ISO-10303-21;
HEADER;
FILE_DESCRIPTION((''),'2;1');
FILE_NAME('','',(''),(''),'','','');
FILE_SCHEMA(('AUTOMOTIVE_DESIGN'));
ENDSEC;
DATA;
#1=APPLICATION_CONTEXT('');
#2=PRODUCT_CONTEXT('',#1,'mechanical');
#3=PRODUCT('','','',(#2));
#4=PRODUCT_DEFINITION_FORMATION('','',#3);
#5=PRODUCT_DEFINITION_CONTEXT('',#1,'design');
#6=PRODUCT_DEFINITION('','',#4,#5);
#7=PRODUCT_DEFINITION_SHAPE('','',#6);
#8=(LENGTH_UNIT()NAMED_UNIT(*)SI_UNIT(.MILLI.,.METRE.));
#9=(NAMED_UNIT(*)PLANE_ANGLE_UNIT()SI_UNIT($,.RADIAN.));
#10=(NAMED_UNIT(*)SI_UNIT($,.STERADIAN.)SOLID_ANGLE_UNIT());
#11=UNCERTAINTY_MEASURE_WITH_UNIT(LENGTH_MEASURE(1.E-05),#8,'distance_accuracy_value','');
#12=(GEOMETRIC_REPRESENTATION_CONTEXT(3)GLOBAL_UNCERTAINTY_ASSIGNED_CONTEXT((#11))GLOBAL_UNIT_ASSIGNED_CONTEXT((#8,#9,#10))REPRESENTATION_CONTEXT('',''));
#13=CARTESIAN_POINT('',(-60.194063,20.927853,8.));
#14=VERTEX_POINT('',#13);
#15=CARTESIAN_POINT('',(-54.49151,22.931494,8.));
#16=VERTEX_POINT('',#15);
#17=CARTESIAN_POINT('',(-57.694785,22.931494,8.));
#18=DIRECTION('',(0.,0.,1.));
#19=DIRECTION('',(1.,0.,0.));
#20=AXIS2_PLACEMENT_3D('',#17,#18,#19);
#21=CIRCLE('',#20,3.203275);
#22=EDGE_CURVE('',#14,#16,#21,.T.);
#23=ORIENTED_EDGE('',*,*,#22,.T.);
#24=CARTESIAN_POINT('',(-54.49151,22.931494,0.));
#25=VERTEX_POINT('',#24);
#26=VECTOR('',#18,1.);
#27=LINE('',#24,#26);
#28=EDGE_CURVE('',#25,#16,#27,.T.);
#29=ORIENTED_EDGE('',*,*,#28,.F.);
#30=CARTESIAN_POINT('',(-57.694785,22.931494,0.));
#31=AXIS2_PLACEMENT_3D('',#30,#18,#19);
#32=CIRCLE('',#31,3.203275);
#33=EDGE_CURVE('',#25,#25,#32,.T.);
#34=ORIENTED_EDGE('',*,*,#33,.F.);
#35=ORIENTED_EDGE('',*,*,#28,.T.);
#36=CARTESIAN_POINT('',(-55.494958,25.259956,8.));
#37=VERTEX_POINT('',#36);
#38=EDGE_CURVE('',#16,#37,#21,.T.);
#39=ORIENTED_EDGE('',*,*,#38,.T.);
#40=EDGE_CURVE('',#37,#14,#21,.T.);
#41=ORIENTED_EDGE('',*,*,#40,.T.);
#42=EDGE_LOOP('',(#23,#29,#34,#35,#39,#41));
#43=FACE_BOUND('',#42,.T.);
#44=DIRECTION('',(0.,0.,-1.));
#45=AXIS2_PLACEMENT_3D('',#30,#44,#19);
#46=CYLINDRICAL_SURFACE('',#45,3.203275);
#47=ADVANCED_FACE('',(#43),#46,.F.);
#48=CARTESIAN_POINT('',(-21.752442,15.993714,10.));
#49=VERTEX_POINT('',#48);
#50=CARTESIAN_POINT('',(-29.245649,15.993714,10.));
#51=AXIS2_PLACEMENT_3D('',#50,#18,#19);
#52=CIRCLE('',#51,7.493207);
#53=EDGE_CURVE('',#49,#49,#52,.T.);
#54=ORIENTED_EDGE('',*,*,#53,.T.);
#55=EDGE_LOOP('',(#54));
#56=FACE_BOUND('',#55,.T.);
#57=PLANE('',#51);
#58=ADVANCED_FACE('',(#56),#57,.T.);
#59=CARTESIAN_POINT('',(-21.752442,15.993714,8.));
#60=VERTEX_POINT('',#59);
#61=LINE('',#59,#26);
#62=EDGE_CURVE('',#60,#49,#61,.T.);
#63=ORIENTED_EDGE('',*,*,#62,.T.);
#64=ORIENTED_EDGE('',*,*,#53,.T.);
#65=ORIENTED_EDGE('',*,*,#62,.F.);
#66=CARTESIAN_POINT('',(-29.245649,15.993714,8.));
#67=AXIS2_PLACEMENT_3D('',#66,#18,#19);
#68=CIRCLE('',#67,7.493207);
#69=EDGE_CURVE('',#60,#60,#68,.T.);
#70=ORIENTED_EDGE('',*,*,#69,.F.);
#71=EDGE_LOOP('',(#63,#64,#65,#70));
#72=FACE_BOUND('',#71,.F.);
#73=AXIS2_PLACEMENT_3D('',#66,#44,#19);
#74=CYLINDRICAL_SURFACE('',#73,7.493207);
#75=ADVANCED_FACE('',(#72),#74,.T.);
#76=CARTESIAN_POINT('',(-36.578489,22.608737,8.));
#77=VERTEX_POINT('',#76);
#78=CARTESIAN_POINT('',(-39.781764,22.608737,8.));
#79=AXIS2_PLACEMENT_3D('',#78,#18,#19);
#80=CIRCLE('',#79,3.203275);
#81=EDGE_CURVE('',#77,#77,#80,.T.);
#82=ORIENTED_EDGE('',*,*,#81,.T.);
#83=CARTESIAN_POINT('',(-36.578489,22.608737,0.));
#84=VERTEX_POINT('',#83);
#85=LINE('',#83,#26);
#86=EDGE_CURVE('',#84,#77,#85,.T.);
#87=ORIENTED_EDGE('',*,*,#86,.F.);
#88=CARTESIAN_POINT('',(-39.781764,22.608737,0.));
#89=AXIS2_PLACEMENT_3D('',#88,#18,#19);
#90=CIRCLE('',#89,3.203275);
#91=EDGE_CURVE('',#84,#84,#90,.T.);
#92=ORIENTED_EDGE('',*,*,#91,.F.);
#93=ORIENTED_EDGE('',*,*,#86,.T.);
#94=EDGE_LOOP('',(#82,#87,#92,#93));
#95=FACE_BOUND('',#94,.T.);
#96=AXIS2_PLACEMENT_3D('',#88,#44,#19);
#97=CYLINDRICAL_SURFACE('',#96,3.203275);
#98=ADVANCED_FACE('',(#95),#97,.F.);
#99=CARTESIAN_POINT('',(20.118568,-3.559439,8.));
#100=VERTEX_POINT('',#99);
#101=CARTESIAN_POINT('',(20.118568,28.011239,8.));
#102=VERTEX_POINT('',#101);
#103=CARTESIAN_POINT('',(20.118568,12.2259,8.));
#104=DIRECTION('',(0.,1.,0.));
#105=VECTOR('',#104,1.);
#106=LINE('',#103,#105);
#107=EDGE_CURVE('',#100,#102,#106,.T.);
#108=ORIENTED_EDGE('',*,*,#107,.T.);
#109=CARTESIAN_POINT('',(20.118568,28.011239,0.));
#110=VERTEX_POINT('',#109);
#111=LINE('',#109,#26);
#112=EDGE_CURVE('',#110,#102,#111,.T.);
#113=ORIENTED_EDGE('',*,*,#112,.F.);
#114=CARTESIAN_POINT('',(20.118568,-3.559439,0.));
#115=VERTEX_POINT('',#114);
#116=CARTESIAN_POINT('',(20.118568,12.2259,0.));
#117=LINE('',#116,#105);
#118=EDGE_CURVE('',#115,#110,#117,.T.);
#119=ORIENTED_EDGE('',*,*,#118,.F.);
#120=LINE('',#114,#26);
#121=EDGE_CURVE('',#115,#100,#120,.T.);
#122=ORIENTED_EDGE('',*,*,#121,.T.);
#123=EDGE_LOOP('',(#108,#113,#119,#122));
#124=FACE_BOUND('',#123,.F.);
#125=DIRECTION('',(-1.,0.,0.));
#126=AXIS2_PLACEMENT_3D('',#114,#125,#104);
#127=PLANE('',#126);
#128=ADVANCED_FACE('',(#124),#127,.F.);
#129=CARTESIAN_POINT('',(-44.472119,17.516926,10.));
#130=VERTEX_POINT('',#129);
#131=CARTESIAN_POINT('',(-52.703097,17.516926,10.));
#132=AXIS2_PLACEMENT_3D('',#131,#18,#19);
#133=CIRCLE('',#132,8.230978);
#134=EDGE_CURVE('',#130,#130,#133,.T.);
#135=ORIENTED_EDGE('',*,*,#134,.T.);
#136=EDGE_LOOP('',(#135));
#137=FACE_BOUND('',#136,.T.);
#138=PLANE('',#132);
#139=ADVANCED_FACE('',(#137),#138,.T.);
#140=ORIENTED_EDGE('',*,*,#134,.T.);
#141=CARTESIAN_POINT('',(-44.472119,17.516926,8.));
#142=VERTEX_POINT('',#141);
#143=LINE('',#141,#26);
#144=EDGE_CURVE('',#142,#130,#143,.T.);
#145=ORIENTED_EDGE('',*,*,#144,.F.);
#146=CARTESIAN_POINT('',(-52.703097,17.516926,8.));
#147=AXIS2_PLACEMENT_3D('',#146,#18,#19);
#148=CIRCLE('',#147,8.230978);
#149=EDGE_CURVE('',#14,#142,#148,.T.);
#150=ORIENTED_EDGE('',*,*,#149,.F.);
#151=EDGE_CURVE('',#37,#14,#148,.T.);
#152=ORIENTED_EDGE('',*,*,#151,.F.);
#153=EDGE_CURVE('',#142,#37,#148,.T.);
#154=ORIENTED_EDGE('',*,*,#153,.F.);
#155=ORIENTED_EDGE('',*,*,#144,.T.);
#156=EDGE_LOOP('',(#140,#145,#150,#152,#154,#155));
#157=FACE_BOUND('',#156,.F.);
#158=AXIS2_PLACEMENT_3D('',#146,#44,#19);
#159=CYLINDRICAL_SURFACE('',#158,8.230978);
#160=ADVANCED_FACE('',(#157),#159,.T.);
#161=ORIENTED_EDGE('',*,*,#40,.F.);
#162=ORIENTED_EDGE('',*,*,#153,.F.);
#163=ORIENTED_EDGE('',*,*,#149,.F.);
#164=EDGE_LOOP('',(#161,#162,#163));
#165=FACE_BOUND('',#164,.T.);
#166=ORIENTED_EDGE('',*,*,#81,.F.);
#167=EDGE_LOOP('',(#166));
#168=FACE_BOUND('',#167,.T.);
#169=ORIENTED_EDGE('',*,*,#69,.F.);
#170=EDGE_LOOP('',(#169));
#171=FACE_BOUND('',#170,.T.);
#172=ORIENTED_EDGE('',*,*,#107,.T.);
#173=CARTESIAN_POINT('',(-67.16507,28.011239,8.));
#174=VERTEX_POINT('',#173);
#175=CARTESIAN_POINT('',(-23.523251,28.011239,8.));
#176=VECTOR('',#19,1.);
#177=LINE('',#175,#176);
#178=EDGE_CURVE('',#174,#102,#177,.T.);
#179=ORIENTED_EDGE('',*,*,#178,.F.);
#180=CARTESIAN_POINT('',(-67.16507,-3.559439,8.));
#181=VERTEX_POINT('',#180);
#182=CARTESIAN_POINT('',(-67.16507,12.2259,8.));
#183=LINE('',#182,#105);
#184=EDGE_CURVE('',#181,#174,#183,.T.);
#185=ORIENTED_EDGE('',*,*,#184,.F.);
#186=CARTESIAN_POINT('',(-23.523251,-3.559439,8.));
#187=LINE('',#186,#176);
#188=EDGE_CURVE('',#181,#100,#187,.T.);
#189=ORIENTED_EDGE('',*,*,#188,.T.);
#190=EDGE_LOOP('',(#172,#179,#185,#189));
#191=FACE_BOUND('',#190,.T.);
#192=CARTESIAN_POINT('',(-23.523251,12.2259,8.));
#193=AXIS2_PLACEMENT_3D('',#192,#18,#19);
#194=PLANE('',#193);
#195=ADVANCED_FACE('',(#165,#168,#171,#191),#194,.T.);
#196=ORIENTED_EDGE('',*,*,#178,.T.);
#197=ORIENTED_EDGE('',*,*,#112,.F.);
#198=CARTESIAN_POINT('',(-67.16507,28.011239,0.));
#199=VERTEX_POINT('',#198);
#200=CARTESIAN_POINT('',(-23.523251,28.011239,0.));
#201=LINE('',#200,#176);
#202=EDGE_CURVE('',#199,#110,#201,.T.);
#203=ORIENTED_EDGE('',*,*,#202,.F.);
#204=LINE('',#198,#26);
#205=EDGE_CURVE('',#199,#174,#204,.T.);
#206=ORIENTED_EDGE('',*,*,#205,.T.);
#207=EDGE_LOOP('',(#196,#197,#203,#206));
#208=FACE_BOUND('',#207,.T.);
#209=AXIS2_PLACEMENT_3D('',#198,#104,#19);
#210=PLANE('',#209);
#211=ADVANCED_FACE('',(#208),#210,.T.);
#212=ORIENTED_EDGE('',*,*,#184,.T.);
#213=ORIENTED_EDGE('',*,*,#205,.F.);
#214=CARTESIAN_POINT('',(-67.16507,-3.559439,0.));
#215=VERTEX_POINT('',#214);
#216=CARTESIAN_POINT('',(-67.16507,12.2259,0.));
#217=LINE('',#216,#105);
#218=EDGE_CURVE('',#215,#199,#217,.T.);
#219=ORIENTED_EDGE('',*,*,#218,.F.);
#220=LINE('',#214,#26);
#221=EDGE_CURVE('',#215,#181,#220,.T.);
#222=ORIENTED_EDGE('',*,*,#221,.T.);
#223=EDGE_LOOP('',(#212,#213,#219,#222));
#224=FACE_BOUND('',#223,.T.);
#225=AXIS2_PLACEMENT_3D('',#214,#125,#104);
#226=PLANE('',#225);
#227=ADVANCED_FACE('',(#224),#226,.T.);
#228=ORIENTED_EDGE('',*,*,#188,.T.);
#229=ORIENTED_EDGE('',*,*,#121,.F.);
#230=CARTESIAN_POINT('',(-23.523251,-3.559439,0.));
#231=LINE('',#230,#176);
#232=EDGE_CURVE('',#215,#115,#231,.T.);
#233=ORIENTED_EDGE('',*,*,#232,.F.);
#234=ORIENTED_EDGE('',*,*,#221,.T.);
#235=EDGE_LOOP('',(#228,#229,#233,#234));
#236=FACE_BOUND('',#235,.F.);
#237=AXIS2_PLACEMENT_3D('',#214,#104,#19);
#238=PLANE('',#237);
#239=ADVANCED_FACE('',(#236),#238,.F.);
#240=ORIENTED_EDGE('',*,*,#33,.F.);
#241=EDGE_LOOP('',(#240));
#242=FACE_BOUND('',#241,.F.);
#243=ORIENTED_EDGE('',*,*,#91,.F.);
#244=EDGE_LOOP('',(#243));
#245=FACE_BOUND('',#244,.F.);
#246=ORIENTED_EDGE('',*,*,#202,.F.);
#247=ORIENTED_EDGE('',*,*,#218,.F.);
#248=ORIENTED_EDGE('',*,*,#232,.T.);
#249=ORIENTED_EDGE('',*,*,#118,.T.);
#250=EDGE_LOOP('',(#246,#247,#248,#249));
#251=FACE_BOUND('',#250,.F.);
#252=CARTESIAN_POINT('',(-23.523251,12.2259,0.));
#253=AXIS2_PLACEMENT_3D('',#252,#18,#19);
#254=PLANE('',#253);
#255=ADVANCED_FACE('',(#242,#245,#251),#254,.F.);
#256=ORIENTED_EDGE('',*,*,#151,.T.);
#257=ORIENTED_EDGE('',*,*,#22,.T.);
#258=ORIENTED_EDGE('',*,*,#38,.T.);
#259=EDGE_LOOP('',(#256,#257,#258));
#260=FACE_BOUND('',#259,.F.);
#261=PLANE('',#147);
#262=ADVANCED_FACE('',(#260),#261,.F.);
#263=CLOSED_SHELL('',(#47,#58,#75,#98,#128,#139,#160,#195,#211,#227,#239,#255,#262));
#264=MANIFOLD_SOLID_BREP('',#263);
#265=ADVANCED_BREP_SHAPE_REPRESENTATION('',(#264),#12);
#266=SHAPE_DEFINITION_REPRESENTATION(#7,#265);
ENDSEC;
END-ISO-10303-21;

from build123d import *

# Parameters (mm, degrees)
F0_W     = 87.283637
F0_H     = 31.570678
F0_R     = 3.203275
F1_DEPTH = 8
F3_R     = 8.230978
F3_R_2   = 7.493207
F4_DEPTH = 2


with BuildPart() as f1:
    # F0 (on Top) → F1 (new body)
    with BuildSketch(Plane.XY):
        with Locations((-23.523251, 12.2259)):
            Rectangle(F0_W, F0_H)
        with Locations((-57.694785, 22.931494)):
            Circle(F0_R, mode=Mode.SUBTRACT)
        with Locations((-39.781764, 22.608737)):
            Circle(F0_R, mode=Mode.SUBTRACT)
    extrude(amount=F1_DEPTH)

    # F3 (on offset) → F4 (join)
    with BuildSketch(Plane.XY.offset(8)):
        with Locations((-52.703097, 17.516926)):
            Circle(F3_R)
        with Locations((-29.245649, 15.993714)):
            Circle(F3_R_2)
    extrude(amount=F4_DEPTH)


solid = f1.part
